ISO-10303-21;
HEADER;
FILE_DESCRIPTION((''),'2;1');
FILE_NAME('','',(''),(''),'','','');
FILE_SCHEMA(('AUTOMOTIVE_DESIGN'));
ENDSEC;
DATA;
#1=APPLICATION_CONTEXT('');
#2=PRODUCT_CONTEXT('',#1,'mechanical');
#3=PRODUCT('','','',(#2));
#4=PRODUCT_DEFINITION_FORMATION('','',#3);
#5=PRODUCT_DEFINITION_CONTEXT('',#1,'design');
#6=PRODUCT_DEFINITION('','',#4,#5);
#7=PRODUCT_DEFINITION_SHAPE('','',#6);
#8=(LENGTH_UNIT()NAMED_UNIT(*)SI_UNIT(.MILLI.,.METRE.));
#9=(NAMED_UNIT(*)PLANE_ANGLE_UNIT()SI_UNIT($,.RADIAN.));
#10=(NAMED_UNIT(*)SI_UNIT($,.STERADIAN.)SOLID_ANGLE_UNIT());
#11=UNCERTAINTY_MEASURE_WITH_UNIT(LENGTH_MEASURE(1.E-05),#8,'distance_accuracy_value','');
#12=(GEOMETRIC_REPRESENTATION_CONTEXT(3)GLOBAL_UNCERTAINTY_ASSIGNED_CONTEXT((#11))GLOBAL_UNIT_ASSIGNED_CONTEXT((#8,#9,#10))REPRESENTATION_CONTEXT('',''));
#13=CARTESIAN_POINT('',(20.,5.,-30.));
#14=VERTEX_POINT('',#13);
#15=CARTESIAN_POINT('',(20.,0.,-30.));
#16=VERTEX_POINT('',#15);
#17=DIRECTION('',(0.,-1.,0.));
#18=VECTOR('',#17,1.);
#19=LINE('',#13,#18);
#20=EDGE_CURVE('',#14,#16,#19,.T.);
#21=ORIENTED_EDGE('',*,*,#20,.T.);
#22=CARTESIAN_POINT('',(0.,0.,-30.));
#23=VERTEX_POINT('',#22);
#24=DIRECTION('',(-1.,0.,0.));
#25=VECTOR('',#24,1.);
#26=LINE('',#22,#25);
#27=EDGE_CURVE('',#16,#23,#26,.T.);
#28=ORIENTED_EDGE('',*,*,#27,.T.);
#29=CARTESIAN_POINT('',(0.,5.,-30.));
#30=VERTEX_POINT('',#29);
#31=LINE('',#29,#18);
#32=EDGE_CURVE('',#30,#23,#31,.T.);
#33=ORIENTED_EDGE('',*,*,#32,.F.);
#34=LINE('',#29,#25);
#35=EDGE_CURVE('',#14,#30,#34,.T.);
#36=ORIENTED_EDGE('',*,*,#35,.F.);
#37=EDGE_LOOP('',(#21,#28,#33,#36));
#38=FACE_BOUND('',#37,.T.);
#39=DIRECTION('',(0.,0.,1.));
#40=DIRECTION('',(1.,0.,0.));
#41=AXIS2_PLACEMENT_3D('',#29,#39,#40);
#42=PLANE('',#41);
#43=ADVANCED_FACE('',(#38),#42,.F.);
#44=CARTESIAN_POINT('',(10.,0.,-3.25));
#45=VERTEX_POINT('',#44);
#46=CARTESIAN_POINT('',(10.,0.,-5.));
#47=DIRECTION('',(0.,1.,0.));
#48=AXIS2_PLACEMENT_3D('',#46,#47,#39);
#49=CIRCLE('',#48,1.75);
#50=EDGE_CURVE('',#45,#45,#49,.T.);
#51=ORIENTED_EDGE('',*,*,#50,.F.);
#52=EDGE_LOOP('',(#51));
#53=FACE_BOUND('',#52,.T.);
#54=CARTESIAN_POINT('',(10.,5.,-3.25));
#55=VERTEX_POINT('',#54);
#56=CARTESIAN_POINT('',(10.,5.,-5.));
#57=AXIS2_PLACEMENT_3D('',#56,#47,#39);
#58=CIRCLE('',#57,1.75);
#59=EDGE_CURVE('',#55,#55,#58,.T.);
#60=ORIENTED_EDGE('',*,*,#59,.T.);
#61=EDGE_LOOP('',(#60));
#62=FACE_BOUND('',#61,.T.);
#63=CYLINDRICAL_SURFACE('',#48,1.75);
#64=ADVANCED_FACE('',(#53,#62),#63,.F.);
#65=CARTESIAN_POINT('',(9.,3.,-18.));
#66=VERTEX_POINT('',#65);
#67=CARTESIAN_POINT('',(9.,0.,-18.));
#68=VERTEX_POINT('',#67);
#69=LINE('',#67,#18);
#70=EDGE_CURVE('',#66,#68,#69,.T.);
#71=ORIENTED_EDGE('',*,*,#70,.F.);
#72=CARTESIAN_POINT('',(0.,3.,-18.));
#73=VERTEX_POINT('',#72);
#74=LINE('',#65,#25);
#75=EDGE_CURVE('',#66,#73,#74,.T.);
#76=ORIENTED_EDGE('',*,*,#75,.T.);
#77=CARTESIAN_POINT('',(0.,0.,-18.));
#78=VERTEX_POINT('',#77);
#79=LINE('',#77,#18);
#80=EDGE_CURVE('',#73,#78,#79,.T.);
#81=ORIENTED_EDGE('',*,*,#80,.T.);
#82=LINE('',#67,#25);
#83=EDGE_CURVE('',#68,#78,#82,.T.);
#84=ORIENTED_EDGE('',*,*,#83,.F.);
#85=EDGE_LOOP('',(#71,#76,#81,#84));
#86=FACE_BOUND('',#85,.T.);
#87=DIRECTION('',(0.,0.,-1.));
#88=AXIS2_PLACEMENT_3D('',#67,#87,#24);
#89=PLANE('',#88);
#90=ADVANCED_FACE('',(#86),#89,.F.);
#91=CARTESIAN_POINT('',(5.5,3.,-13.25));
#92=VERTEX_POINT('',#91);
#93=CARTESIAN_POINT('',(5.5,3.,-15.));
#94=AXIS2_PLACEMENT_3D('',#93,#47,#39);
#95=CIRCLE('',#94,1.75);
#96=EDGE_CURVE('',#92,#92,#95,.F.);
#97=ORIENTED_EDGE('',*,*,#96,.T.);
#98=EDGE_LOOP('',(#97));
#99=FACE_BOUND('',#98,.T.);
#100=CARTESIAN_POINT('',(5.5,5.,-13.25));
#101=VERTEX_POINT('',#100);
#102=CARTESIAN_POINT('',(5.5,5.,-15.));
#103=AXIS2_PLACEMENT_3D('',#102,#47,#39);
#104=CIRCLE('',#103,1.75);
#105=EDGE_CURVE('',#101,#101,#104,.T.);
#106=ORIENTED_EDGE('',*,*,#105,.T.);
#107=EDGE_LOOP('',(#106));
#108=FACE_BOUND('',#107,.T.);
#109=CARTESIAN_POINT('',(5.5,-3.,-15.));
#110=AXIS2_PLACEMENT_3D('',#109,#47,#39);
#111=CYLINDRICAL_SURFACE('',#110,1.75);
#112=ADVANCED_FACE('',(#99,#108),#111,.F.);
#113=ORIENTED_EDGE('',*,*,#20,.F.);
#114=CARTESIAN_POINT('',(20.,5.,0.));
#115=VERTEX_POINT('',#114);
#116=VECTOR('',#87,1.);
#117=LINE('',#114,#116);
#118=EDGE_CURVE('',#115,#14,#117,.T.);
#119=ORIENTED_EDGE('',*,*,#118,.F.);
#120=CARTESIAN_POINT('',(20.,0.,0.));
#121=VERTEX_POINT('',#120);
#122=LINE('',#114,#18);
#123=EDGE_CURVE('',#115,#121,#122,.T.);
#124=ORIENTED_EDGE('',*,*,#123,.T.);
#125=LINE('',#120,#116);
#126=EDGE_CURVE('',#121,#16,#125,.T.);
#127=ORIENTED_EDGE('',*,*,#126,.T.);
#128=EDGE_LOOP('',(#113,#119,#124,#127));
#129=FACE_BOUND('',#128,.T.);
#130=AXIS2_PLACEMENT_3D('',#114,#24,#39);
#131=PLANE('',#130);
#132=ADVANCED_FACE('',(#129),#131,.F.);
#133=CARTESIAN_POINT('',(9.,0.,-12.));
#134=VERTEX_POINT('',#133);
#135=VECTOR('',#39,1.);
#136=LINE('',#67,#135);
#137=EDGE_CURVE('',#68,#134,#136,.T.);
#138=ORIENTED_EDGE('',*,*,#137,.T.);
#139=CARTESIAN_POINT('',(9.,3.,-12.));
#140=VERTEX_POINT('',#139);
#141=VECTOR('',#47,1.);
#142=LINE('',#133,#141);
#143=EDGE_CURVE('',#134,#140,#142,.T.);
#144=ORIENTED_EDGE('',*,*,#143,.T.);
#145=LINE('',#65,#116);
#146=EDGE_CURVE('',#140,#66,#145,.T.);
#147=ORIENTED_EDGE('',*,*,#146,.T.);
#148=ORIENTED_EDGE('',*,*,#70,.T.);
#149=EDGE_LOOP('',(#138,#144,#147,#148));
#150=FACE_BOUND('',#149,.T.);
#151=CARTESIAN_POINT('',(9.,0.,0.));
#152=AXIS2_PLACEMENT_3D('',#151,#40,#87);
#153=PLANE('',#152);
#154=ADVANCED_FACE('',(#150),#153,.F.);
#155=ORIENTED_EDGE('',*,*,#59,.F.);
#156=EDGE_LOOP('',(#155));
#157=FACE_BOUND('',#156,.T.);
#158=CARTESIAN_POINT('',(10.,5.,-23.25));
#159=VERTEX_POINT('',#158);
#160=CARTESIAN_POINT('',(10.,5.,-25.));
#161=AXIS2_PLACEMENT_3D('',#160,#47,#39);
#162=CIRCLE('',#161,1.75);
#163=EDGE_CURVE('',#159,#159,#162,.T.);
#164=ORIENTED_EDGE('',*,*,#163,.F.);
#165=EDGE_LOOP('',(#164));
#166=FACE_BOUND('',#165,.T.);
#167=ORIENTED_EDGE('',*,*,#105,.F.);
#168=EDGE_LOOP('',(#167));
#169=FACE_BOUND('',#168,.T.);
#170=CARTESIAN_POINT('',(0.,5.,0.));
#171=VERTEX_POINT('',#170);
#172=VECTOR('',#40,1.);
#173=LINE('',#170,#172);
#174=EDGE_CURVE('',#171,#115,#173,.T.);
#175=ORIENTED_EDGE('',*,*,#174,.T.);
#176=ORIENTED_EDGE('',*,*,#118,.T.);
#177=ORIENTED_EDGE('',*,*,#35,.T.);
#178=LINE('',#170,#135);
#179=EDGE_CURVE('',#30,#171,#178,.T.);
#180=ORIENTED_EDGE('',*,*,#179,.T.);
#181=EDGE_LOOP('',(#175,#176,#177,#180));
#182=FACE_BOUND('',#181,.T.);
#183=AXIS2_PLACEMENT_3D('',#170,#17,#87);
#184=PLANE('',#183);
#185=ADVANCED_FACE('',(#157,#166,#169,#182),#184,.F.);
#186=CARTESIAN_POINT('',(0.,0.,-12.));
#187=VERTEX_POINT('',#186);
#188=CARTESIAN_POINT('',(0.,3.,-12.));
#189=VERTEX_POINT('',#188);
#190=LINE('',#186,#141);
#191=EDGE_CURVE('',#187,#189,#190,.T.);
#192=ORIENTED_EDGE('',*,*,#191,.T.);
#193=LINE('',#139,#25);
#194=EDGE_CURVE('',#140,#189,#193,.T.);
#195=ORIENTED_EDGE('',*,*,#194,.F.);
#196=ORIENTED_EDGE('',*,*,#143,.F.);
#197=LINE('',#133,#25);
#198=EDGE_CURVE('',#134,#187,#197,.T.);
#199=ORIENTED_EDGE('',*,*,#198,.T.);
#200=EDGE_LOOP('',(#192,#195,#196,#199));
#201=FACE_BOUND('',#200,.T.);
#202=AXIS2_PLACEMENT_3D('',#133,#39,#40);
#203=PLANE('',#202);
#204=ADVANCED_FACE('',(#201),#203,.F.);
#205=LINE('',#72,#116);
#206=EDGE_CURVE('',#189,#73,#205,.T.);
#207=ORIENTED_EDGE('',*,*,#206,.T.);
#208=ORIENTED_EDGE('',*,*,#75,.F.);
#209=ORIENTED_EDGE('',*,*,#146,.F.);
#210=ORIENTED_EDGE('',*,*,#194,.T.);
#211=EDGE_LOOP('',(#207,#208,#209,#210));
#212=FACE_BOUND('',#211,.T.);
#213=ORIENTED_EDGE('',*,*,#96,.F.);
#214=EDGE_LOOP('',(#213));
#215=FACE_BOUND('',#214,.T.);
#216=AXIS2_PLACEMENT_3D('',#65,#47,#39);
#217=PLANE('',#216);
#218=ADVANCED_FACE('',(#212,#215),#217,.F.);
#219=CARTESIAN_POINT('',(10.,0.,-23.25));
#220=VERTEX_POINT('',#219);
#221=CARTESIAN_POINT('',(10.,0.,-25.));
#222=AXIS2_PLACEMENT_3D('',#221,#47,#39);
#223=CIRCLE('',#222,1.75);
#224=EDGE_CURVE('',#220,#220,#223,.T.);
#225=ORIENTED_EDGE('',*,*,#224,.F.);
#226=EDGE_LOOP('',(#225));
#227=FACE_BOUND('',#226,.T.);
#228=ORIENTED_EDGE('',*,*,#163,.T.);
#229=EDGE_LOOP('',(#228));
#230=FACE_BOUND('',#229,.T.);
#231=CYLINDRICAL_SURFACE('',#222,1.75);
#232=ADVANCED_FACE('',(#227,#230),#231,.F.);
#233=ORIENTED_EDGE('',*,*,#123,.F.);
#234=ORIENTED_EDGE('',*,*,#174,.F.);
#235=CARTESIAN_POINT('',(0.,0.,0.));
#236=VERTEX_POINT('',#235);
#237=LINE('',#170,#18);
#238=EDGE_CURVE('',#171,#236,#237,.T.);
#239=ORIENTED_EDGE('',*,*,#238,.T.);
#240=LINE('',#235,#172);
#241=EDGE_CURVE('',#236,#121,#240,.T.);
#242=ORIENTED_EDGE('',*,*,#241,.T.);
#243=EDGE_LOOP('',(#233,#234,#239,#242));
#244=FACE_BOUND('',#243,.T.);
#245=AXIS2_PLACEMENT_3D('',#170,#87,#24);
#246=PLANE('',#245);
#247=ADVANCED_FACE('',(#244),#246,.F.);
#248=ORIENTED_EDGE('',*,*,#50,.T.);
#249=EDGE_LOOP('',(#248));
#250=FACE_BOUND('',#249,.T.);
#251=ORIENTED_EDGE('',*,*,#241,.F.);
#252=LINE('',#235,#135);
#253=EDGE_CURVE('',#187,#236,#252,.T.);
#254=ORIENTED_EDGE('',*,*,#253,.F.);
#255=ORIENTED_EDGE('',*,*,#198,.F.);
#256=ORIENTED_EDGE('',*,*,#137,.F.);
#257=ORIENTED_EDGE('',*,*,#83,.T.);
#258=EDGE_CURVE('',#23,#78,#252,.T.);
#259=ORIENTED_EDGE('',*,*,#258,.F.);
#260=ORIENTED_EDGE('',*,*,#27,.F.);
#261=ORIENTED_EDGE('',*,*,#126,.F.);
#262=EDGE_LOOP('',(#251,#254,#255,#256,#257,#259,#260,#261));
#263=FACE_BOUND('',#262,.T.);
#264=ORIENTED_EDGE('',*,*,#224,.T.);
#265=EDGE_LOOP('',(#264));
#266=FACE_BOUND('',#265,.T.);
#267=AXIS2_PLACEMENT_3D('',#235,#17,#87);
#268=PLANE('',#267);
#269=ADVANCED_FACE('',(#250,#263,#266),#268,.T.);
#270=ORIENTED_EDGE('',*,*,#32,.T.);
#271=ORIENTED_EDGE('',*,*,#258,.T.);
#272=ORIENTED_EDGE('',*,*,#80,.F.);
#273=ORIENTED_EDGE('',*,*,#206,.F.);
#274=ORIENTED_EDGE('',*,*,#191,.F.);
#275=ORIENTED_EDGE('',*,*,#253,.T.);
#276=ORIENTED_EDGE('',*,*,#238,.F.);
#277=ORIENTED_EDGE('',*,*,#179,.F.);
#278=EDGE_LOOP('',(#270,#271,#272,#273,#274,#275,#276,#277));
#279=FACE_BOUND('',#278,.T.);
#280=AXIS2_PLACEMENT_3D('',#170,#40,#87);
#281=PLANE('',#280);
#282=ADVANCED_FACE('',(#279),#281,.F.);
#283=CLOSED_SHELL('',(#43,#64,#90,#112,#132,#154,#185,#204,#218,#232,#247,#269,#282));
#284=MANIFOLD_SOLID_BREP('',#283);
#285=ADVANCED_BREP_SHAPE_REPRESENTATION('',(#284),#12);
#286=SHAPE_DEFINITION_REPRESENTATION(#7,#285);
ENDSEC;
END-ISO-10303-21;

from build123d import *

# Parameters (mm, degrees)
SKETCH1_W           = 20
SKETCH1_H           = 30
BOSS_EXTRUDE1_DEPTH = 5
SKETCH2_R           = 1.75
CUT_EXTRUDE1_DEPTH  = 8
SKETCH3_R           = 1.75
CUT_EXTRUDE2_DEPTH  = 37.400549446
SKETCH4_W           = 6
SKETCH4_H           = 3
CUT_EXTRUDE3_DEPTH  = 9


with BuildPart() as part:
    # Sketch1 → Boss-Extrude1 (new body)
    with BuildSketch(Plane(origin=(0, 0, 0), x_dir=(1, 0, 0), z_dir=(0, 1, 0))):
        with Locations((10, 15)):
            Rectangle(SKETCH1_W, SKETCH1_H)
    extrude(amount=BOSS_EXTRUDE1_DEPTH)

    # Sketch2 → Cut-Extrude1 (cut)
    with BuildSketch(Plane(origin=(0, 5, 0), x_dir=(1, 0, 0), z_dir=(0, 1, 0))):
        with Locations(Location((5.5, 15, 0), (0, 0, 270))):
            Circle(SKETCH2_R)
    extrude(amount=-CUT_EXTRUDE1_DEPTH, mode=Mode.SUBTRACT)

    # Sketch3 → Cut-Extrude2 (cut, through all)
    with BuildSketch(Plane(origin=(0, 5, 0), x_dir=(1, 0, 0), z_dir=(0, 1, 0))):
        with Locations(Location((10, 25, 0), (0, 0, 270))):
            Circle(SKETCH3_R)
        with Locations(Location((10, 5, 0), (0, 0, 270))):
            Circle(SKETCH3_R)
    extrude(amount=-CUT_EXTRUDE2_DEPTH, mode=Mode.SUBTRACT)

    # Sketch4 → Cut-Extrude3 (cut)
    with BuildSketch(Plane.ZY):
        with Locations((-15, 1.5)):
            Rectangle(SKETCH4_W, SKETCH4_H)
    extrude(amount=-CUT_EXTRUDE3_DEPTH, mode=Mode.SUBTRACT)


solid = part.part
